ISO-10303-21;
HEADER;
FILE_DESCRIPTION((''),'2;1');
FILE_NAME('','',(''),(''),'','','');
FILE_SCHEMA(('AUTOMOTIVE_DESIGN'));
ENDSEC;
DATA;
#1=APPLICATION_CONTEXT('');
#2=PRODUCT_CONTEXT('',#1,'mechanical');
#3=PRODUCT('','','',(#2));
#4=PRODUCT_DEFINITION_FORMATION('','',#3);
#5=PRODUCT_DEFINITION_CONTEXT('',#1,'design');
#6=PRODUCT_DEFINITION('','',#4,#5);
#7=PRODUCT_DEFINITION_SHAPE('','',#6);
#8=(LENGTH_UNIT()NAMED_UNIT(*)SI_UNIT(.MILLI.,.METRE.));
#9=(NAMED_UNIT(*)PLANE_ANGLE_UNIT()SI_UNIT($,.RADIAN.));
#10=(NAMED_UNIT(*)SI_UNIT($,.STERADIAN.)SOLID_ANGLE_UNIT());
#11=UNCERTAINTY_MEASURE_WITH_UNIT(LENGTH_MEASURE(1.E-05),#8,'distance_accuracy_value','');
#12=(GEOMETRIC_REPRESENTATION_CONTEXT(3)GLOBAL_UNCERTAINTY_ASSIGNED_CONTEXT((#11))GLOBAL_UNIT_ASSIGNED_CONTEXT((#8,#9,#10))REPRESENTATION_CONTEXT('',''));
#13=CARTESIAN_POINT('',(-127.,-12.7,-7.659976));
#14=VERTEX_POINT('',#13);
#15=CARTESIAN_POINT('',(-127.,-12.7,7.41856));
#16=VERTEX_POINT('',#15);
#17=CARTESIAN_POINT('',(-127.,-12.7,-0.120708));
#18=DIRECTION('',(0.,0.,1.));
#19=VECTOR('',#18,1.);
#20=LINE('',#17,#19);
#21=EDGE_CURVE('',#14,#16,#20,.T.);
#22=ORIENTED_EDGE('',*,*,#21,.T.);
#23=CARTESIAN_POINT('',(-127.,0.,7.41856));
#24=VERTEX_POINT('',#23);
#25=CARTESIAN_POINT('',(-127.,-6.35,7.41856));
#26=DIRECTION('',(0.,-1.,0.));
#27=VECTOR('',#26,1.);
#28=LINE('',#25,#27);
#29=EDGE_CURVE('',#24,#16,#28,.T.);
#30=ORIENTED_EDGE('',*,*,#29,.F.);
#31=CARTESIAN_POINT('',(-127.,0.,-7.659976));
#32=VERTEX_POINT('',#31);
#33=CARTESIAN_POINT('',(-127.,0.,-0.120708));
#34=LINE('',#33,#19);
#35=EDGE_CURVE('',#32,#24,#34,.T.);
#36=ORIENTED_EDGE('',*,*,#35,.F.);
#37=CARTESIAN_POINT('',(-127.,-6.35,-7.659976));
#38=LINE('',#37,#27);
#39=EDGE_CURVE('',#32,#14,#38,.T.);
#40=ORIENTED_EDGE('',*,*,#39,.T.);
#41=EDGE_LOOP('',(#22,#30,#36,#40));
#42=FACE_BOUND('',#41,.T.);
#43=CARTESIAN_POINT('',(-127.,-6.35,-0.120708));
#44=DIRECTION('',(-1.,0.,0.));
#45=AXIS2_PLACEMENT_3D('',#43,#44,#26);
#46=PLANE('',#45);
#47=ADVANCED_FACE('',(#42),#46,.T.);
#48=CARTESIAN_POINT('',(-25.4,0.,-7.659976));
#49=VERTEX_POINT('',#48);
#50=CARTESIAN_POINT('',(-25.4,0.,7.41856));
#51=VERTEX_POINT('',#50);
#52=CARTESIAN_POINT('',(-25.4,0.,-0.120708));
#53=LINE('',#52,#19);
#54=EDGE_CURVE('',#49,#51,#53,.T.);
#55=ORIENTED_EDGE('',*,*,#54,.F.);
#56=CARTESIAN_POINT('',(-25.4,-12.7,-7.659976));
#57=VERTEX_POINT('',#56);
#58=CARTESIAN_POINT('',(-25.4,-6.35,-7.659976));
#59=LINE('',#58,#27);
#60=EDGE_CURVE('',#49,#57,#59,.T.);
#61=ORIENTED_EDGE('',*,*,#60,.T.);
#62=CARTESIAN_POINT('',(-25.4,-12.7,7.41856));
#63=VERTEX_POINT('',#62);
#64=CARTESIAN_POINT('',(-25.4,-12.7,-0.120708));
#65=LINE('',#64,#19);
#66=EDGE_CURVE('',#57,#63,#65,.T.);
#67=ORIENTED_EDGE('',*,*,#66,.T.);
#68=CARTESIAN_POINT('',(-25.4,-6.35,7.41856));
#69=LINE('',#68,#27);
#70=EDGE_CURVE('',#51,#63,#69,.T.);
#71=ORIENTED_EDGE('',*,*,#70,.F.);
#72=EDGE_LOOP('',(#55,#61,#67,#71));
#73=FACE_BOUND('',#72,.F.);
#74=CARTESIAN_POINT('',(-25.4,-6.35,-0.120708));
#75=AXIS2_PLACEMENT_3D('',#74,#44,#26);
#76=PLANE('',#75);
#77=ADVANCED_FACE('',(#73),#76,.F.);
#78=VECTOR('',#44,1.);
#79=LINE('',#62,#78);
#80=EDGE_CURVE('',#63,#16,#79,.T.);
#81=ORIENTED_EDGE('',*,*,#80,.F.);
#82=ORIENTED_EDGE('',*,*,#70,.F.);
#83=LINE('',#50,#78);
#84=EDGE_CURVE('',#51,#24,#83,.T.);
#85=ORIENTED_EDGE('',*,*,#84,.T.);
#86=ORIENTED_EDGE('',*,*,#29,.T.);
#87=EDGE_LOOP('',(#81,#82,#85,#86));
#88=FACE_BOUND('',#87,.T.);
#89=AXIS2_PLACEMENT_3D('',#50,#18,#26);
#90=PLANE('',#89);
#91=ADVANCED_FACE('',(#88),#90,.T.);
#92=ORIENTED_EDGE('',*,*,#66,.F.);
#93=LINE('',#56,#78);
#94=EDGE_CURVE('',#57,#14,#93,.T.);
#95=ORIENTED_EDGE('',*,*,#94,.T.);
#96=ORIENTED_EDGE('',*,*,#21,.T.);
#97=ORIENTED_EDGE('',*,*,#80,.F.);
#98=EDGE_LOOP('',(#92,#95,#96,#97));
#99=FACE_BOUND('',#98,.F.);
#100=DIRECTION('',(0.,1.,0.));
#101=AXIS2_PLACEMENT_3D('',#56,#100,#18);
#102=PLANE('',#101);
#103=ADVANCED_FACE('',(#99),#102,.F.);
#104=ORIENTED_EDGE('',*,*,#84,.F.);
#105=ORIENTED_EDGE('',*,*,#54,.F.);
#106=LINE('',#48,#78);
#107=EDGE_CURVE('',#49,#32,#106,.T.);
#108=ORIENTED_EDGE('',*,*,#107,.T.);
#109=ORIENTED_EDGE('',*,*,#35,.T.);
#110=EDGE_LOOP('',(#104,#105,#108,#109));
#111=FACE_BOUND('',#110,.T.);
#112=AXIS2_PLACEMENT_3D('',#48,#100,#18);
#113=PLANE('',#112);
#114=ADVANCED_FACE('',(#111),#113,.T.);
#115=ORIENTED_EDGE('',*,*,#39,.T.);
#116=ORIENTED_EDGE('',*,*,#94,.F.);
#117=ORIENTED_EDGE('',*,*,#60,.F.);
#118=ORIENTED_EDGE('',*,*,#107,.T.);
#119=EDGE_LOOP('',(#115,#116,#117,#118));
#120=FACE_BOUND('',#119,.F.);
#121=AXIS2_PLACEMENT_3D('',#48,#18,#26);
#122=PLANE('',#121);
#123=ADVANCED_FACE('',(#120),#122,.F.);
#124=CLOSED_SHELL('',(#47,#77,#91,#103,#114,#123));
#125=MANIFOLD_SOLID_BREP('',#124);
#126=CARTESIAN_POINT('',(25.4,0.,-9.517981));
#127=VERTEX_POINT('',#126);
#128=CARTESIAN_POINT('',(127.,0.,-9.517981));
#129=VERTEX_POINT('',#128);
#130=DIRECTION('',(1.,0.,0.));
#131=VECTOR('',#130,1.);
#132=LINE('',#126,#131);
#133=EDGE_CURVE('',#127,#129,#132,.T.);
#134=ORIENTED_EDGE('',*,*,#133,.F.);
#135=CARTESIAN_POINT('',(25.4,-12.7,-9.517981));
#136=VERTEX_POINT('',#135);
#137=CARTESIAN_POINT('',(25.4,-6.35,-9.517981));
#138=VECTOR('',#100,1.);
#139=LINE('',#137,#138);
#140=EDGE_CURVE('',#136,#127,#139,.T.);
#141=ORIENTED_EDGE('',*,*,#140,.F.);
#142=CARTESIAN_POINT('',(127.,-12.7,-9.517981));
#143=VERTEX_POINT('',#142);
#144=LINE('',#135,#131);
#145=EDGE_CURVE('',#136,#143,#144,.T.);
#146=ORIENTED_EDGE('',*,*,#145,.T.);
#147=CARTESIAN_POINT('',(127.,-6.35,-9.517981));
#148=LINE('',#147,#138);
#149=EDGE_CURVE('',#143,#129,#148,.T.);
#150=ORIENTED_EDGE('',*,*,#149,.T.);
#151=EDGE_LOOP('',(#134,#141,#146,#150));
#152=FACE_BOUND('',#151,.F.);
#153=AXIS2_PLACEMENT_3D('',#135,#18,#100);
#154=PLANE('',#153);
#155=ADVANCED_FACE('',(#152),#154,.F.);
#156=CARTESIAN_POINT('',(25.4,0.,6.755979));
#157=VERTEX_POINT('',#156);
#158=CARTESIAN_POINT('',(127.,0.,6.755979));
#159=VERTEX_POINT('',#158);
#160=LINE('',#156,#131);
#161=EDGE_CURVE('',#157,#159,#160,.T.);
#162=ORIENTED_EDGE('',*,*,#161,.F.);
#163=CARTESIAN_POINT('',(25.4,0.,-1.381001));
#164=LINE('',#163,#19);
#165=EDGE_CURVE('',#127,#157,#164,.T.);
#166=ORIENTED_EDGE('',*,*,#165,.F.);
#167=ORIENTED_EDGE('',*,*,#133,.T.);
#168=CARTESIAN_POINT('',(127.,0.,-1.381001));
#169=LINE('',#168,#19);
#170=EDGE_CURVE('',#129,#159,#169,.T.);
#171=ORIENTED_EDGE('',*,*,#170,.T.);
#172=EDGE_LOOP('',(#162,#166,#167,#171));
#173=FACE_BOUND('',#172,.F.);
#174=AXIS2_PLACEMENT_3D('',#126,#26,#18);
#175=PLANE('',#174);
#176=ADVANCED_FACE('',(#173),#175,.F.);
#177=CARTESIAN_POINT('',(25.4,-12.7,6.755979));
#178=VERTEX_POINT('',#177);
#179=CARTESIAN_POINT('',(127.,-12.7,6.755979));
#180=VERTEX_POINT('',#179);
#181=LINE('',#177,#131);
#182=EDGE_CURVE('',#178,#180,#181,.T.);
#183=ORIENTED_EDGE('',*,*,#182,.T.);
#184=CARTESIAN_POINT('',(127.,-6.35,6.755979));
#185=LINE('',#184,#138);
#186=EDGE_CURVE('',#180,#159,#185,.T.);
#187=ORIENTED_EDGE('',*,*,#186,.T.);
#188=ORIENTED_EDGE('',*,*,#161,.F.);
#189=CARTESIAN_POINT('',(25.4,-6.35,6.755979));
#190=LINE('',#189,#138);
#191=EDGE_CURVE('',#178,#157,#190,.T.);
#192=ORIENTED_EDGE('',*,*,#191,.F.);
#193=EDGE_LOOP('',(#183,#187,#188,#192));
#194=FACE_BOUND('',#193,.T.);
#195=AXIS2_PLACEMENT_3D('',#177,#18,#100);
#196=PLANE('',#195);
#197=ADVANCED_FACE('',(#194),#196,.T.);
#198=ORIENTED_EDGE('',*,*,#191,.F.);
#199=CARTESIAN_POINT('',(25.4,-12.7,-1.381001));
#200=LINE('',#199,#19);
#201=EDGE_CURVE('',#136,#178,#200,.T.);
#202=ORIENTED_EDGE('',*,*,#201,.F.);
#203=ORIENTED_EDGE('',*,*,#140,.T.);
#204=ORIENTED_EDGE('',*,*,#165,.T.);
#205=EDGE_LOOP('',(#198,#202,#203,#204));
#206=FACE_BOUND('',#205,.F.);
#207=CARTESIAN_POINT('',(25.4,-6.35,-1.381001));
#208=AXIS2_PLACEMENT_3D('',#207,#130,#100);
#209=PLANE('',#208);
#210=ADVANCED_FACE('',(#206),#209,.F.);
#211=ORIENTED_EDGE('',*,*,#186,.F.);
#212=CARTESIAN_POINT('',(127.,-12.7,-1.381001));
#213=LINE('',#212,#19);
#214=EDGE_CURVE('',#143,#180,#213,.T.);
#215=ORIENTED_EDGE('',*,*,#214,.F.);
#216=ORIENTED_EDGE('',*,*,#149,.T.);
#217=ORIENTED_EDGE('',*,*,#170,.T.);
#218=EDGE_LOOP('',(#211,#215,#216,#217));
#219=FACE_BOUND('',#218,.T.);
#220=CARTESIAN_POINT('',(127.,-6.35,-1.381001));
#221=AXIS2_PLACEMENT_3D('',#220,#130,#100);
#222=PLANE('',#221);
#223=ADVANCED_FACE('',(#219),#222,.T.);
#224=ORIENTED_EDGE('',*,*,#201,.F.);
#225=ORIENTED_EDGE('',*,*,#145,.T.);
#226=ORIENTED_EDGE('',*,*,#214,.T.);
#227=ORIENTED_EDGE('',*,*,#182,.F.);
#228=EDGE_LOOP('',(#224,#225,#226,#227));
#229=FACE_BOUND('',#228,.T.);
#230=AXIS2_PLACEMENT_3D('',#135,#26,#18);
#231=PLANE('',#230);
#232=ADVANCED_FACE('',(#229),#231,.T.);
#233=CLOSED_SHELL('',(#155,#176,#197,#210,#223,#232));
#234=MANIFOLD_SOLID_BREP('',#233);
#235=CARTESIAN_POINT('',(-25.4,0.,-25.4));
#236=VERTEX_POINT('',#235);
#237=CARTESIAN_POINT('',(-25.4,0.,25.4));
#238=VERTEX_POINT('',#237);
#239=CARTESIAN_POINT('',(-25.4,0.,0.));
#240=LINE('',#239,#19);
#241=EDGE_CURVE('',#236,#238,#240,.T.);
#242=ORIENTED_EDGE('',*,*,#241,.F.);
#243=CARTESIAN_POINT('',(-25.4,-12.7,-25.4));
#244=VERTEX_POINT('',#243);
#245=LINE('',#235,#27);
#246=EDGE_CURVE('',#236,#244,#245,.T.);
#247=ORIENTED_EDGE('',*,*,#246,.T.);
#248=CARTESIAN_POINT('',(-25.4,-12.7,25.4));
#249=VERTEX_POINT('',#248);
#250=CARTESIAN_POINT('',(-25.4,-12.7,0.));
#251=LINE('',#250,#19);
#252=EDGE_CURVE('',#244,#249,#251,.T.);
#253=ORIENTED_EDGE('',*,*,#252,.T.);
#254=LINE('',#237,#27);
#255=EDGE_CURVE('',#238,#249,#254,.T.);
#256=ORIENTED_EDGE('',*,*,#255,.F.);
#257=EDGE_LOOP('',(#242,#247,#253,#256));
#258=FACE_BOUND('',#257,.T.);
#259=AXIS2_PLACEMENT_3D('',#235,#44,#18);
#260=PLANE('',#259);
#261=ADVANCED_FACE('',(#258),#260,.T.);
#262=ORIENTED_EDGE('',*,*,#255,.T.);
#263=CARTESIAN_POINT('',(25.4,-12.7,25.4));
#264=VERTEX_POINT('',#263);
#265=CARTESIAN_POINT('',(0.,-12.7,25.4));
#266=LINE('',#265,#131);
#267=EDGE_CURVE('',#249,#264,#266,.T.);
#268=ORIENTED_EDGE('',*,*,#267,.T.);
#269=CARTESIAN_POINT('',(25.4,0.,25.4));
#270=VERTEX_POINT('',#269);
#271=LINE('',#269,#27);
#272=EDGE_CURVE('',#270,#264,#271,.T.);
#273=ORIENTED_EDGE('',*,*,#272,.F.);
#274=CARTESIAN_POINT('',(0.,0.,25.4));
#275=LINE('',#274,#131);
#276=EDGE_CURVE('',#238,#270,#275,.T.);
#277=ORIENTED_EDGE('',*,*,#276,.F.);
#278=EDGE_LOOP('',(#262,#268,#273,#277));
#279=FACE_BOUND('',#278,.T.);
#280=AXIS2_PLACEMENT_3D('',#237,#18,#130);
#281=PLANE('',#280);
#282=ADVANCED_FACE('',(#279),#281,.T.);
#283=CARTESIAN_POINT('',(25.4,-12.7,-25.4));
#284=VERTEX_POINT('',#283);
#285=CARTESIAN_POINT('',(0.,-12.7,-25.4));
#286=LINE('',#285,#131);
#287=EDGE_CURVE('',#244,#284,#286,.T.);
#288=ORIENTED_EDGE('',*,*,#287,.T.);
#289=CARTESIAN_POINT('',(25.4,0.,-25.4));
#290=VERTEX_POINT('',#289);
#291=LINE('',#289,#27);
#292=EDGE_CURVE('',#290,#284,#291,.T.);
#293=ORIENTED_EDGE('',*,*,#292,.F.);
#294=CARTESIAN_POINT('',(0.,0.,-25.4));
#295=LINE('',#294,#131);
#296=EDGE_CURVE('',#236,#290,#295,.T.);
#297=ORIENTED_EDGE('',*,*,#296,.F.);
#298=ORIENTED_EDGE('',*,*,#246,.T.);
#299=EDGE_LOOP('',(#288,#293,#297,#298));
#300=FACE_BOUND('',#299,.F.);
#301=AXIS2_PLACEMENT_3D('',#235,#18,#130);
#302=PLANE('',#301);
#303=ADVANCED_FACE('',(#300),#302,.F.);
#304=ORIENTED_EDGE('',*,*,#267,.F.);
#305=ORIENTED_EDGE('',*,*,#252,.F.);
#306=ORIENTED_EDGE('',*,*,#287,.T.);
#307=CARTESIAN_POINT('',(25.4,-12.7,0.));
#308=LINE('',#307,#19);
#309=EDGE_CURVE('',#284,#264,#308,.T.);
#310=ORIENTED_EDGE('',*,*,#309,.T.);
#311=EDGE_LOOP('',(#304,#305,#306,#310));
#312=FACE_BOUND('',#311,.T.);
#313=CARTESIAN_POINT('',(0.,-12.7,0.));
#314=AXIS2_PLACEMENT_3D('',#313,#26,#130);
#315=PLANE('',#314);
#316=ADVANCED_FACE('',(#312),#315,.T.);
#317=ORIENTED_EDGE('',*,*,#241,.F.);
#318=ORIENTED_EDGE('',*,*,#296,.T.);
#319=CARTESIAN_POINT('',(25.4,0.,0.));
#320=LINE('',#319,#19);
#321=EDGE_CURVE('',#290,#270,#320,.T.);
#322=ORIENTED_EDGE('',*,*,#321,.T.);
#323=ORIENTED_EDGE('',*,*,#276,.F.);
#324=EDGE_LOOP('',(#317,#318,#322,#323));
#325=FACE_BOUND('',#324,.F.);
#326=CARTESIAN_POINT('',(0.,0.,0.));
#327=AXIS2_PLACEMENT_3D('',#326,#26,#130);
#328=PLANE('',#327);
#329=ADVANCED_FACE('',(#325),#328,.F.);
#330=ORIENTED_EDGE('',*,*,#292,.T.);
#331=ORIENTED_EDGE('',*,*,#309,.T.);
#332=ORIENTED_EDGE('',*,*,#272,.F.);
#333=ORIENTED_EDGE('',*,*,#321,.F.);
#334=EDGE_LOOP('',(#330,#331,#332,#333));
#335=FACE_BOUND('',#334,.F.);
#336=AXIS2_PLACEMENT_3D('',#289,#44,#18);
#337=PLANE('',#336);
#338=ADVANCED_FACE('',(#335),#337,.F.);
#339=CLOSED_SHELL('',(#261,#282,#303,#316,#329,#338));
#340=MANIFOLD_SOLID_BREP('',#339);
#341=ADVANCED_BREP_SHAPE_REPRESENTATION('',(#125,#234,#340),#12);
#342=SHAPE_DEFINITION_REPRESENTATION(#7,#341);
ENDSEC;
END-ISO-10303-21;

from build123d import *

# Parameters (mm, degrees)
F0_W     = 50.8
F0_H     = 50.8
F1_DEPTH = 12.7
F2_W     = 12.7
F2_H     = 15.078536
F3_DEPTH = 101.6
F4_W     = 12.7
F4_H     = 16.273961
F5_DEPTH = 101.6


with BuildPart() as f1:
    # F0 (on Front) → F1 (new body)
    with BuildSketch(Plane.XZ):
        Rectangle(F0_W, F0_H)
    extrude(amount=F1_DEPTH)


with BuildPart() as f3:
    # F2 (on face) → F3 (new body)
    with BuildSketch(Plane(origin=(-25.4, 0, 0), x_dir=(0, -1, 0), z_dir=(-1, 0, 0))):
        with Locations((6.35, -0.120708)):
            Rectangle(F2_W, F2_H)
    extrude(amount=F3_DEPTH)


with BuildPart() as f5:
    # F4 (on face) → F5 (new body)
    with BuildSketch(Plane.YZ.offset(25.4)):
        with Locations((-6.35, -1.381001)):
            Rectangle(F4_W, F4_H)
    extrude(amount=F5_DEPTH)


solid = Compound([f1.part, f3.part, f5.part])
